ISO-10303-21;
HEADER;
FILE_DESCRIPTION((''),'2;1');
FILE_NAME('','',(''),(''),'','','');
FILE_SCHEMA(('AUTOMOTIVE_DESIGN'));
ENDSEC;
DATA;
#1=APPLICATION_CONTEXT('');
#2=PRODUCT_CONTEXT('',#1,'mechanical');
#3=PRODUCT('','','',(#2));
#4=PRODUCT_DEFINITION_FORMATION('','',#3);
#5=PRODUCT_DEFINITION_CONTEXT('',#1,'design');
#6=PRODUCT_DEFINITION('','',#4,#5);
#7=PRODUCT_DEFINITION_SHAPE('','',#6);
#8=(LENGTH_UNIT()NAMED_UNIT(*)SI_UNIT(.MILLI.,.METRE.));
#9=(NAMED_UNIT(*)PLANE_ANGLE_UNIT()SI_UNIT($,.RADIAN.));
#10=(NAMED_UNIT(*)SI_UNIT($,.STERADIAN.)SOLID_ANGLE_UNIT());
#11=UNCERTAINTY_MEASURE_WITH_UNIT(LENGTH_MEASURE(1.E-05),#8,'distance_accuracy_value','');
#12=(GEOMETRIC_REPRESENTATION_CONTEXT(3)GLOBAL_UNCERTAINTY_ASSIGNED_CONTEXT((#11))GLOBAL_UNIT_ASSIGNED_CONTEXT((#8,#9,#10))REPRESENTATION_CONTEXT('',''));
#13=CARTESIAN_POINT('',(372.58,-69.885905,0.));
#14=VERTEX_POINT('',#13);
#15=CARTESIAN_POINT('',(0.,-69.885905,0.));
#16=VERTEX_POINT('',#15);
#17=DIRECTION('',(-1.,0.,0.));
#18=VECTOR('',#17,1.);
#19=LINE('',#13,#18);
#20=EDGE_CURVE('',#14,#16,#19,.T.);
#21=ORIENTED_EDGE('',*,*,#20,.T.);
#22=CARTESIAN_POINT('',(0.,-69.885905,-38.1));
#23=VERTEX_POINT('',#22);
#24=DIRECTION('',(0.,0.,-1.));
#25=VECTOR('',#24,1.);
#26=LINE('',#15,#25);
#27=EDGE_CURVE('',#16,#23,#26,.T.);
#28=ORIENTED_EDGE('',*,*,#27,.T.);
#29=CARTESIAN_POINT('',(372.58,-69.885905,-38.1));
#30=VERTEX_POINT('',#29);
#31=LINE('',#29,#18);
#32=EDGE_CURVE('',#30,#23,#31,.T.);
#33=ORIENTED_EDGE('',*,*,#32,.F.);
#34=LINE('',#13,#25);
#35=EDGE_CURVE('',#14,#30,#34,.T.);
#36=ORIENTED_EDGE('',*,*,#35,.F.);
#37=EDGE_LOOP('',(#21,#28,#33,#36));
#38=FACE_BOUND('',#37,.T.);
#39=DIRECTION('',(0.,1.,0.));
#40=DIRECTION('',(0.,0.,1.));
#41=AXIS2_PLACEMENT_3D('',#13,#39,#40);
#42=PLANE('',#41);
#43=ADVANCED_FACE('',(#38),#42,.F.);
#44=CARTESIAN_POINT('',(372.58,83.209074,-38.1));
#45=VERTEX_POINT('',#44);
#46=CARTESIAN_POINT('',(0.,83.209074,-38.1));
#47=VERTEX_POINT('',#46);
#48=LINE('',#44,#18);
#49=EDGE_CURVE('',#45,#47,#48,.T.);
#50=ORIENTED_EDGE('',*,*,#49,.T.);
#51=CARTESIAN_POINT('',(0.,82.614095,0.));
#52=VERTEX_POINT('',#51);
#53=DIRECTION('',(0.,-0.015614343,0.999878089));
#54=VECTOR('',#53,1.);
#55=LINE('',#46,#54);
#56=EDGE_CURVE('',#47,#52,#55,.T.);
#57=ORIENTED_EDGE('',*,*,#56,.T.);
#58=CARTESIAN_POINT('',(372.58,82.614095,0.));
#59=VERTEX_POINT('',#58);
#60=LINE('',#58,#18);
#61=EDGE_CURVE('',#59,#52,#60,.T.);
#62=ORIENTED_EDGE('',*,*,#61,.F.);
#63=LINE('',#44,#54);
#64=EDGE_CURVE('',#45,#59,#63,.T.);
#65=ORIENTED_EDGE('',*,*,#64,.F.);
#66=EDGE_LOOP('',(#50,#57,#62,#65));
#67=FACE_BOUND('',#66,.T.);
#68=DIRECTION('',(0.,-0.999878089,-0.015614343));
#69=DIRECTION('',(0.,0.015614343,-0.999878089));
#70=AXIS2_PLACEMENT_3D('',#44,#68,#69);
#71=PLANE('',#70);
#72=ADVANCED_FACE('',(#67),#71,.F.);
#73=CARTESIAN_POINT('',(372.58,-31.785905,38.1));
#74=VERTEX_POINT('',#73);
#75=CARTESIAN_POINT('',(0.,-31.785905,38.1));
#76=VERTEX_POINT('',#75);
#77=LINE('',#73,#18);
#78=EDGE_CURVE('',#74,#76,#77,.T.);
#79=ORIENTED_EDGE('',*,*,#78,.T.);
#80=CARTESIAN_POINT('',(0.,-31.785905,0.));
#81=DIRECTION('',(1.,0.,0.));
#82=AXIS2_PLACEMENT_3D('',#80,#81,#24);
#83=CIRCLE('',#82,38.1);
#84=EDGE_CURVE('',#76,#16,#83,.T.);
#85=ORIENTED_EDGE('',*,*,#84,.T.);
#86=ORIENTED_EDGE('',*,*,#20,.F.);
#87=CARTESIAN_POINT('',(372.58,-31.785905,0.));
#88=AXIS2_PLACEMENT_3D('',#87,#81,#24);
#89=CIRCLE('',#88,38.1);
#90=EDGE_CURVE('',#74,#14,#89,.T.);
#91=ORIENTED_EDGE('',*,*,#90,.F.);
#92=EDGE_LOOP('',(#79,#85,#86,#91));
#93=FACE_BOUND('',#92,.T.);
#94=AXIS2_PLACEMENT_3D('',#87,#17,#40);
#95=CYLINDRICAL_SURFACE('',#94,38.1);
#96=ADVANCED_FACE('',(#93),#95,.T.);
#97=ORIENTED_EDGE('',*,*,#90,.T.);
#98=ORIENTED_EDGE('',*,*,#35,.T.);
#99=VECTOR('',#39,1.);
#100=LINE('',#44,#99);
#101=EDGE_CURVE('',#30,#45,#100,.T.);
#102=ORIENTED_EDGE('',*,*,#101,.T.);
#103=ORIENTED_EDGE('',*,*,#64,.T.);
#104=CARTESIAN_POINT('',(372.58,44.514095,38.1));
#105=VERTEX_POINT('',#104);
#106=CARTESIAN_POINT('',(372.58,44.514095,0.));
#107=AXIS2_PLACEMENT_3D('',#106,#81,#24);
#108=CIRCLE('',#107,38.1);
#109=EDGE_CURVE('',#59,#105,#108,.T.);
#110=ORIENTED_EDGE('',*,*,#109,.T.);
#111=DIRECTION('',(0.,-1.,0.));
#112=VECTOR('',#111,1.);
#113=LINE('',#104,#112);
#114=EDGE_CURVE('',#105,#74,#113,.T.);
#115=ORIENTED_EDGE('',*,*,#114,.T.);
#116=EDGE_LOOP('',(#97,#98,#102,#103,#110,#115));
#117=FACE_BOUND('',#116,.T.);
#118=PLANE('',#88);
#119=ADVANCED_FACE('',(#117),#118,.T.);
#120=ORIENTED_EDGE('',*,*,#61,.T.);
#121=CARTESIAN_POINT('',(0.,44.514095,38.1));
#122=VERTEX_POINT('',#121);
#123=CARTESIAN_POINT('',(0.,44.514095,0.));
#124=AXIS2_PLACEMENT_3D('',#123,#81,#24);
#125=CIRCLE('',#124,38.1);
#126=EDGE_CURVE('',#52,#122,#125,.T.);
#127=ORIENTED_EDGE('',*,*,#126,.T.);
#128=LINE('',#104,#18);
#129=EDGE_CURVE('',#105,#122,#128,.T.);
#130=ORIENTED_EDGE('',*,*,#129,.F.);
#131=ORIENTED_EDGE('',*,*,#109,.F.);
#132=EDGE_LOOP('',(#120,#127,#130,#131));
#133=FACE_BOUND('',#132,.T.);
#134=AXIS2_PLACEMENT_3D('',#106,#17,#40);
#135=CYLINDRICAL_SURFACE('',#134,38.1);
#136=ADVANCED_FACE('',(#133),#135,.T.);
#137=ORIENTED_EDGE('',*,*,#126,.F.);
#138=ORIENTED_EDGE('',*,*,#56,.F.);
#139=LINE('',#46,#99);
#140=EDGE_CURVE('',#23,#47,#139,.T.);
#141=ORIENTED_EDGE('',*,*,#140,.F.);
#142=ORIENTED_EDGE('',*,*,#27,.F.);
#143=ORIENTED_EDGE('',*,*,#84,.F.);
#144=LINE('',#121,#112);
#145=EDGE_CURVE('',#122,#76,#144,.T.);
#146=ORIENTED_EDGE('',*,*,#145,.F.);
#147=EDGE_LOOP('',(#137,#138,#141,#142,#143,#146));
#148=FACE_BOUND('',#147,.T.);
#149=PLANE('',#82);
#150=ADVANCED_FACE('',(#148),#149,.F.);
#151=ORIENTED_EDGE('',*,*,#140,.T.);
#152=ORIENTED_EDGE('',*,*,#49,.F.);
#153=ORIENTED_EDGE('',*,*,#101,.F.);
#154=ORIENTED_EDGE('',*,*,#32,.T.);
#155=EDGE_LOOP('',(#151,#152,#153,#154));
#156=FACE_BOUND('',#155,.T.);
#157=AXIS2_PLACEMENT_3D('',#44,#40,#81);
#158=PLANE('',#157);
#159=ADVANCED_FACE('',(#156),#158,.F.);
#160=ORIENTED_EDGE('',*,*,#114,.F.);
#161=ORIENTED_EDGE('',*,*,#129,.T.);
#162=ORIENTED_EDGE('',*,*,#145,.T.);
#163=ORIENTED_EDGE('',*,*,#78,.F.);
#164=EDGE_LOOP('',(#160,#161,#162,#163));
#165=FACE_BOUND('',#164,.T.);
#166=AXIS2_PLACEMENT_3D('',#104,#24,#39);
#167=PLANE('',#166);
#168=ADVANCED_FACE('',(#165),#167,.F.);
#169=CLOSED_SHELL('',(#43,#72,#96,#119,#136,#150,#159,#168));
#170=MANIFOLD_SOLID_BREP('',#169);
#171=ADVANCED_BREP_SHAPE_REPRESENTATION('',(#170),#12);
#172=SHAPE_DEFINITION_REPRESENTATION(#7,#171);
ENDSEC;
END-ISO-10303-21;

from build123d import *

# Parameters (mm, degrees)
SALIENTE_EXTRUIR1_DEPTH = 372.58


with BuildPart() as part:
    # Croquis1 → Saliente-Extruir1 (new body)
    with BuildSketch(Plane(origin=(0, 0, 0), x_dir=(0, 0, -1), z_dir=(1, 0, 0))):
        with BuildLine():
            Line((38.1, 83.209074357), (0, 82.614095361))
            ThreePointArc((0, 82.614095361), (-26.940768363, 71.454863724), (-38.1, 44.514095361))
            Line((-38.1, 44.514095361), (-38.1, -31.785904639))
            ThreePointArc((-38.1, -31.785904639), (-26.940768363, -58.726673002), (0, -69.885904639))
            Line((0, -69.885904639), (38.1, -69.885904639))
            Line((38.1, -69.885904639), (38.1, 83.209074357))
        make_face()
    extrude(amount=SALIENTE_EXTRUIR1_DEPTH)


solid = part.part
